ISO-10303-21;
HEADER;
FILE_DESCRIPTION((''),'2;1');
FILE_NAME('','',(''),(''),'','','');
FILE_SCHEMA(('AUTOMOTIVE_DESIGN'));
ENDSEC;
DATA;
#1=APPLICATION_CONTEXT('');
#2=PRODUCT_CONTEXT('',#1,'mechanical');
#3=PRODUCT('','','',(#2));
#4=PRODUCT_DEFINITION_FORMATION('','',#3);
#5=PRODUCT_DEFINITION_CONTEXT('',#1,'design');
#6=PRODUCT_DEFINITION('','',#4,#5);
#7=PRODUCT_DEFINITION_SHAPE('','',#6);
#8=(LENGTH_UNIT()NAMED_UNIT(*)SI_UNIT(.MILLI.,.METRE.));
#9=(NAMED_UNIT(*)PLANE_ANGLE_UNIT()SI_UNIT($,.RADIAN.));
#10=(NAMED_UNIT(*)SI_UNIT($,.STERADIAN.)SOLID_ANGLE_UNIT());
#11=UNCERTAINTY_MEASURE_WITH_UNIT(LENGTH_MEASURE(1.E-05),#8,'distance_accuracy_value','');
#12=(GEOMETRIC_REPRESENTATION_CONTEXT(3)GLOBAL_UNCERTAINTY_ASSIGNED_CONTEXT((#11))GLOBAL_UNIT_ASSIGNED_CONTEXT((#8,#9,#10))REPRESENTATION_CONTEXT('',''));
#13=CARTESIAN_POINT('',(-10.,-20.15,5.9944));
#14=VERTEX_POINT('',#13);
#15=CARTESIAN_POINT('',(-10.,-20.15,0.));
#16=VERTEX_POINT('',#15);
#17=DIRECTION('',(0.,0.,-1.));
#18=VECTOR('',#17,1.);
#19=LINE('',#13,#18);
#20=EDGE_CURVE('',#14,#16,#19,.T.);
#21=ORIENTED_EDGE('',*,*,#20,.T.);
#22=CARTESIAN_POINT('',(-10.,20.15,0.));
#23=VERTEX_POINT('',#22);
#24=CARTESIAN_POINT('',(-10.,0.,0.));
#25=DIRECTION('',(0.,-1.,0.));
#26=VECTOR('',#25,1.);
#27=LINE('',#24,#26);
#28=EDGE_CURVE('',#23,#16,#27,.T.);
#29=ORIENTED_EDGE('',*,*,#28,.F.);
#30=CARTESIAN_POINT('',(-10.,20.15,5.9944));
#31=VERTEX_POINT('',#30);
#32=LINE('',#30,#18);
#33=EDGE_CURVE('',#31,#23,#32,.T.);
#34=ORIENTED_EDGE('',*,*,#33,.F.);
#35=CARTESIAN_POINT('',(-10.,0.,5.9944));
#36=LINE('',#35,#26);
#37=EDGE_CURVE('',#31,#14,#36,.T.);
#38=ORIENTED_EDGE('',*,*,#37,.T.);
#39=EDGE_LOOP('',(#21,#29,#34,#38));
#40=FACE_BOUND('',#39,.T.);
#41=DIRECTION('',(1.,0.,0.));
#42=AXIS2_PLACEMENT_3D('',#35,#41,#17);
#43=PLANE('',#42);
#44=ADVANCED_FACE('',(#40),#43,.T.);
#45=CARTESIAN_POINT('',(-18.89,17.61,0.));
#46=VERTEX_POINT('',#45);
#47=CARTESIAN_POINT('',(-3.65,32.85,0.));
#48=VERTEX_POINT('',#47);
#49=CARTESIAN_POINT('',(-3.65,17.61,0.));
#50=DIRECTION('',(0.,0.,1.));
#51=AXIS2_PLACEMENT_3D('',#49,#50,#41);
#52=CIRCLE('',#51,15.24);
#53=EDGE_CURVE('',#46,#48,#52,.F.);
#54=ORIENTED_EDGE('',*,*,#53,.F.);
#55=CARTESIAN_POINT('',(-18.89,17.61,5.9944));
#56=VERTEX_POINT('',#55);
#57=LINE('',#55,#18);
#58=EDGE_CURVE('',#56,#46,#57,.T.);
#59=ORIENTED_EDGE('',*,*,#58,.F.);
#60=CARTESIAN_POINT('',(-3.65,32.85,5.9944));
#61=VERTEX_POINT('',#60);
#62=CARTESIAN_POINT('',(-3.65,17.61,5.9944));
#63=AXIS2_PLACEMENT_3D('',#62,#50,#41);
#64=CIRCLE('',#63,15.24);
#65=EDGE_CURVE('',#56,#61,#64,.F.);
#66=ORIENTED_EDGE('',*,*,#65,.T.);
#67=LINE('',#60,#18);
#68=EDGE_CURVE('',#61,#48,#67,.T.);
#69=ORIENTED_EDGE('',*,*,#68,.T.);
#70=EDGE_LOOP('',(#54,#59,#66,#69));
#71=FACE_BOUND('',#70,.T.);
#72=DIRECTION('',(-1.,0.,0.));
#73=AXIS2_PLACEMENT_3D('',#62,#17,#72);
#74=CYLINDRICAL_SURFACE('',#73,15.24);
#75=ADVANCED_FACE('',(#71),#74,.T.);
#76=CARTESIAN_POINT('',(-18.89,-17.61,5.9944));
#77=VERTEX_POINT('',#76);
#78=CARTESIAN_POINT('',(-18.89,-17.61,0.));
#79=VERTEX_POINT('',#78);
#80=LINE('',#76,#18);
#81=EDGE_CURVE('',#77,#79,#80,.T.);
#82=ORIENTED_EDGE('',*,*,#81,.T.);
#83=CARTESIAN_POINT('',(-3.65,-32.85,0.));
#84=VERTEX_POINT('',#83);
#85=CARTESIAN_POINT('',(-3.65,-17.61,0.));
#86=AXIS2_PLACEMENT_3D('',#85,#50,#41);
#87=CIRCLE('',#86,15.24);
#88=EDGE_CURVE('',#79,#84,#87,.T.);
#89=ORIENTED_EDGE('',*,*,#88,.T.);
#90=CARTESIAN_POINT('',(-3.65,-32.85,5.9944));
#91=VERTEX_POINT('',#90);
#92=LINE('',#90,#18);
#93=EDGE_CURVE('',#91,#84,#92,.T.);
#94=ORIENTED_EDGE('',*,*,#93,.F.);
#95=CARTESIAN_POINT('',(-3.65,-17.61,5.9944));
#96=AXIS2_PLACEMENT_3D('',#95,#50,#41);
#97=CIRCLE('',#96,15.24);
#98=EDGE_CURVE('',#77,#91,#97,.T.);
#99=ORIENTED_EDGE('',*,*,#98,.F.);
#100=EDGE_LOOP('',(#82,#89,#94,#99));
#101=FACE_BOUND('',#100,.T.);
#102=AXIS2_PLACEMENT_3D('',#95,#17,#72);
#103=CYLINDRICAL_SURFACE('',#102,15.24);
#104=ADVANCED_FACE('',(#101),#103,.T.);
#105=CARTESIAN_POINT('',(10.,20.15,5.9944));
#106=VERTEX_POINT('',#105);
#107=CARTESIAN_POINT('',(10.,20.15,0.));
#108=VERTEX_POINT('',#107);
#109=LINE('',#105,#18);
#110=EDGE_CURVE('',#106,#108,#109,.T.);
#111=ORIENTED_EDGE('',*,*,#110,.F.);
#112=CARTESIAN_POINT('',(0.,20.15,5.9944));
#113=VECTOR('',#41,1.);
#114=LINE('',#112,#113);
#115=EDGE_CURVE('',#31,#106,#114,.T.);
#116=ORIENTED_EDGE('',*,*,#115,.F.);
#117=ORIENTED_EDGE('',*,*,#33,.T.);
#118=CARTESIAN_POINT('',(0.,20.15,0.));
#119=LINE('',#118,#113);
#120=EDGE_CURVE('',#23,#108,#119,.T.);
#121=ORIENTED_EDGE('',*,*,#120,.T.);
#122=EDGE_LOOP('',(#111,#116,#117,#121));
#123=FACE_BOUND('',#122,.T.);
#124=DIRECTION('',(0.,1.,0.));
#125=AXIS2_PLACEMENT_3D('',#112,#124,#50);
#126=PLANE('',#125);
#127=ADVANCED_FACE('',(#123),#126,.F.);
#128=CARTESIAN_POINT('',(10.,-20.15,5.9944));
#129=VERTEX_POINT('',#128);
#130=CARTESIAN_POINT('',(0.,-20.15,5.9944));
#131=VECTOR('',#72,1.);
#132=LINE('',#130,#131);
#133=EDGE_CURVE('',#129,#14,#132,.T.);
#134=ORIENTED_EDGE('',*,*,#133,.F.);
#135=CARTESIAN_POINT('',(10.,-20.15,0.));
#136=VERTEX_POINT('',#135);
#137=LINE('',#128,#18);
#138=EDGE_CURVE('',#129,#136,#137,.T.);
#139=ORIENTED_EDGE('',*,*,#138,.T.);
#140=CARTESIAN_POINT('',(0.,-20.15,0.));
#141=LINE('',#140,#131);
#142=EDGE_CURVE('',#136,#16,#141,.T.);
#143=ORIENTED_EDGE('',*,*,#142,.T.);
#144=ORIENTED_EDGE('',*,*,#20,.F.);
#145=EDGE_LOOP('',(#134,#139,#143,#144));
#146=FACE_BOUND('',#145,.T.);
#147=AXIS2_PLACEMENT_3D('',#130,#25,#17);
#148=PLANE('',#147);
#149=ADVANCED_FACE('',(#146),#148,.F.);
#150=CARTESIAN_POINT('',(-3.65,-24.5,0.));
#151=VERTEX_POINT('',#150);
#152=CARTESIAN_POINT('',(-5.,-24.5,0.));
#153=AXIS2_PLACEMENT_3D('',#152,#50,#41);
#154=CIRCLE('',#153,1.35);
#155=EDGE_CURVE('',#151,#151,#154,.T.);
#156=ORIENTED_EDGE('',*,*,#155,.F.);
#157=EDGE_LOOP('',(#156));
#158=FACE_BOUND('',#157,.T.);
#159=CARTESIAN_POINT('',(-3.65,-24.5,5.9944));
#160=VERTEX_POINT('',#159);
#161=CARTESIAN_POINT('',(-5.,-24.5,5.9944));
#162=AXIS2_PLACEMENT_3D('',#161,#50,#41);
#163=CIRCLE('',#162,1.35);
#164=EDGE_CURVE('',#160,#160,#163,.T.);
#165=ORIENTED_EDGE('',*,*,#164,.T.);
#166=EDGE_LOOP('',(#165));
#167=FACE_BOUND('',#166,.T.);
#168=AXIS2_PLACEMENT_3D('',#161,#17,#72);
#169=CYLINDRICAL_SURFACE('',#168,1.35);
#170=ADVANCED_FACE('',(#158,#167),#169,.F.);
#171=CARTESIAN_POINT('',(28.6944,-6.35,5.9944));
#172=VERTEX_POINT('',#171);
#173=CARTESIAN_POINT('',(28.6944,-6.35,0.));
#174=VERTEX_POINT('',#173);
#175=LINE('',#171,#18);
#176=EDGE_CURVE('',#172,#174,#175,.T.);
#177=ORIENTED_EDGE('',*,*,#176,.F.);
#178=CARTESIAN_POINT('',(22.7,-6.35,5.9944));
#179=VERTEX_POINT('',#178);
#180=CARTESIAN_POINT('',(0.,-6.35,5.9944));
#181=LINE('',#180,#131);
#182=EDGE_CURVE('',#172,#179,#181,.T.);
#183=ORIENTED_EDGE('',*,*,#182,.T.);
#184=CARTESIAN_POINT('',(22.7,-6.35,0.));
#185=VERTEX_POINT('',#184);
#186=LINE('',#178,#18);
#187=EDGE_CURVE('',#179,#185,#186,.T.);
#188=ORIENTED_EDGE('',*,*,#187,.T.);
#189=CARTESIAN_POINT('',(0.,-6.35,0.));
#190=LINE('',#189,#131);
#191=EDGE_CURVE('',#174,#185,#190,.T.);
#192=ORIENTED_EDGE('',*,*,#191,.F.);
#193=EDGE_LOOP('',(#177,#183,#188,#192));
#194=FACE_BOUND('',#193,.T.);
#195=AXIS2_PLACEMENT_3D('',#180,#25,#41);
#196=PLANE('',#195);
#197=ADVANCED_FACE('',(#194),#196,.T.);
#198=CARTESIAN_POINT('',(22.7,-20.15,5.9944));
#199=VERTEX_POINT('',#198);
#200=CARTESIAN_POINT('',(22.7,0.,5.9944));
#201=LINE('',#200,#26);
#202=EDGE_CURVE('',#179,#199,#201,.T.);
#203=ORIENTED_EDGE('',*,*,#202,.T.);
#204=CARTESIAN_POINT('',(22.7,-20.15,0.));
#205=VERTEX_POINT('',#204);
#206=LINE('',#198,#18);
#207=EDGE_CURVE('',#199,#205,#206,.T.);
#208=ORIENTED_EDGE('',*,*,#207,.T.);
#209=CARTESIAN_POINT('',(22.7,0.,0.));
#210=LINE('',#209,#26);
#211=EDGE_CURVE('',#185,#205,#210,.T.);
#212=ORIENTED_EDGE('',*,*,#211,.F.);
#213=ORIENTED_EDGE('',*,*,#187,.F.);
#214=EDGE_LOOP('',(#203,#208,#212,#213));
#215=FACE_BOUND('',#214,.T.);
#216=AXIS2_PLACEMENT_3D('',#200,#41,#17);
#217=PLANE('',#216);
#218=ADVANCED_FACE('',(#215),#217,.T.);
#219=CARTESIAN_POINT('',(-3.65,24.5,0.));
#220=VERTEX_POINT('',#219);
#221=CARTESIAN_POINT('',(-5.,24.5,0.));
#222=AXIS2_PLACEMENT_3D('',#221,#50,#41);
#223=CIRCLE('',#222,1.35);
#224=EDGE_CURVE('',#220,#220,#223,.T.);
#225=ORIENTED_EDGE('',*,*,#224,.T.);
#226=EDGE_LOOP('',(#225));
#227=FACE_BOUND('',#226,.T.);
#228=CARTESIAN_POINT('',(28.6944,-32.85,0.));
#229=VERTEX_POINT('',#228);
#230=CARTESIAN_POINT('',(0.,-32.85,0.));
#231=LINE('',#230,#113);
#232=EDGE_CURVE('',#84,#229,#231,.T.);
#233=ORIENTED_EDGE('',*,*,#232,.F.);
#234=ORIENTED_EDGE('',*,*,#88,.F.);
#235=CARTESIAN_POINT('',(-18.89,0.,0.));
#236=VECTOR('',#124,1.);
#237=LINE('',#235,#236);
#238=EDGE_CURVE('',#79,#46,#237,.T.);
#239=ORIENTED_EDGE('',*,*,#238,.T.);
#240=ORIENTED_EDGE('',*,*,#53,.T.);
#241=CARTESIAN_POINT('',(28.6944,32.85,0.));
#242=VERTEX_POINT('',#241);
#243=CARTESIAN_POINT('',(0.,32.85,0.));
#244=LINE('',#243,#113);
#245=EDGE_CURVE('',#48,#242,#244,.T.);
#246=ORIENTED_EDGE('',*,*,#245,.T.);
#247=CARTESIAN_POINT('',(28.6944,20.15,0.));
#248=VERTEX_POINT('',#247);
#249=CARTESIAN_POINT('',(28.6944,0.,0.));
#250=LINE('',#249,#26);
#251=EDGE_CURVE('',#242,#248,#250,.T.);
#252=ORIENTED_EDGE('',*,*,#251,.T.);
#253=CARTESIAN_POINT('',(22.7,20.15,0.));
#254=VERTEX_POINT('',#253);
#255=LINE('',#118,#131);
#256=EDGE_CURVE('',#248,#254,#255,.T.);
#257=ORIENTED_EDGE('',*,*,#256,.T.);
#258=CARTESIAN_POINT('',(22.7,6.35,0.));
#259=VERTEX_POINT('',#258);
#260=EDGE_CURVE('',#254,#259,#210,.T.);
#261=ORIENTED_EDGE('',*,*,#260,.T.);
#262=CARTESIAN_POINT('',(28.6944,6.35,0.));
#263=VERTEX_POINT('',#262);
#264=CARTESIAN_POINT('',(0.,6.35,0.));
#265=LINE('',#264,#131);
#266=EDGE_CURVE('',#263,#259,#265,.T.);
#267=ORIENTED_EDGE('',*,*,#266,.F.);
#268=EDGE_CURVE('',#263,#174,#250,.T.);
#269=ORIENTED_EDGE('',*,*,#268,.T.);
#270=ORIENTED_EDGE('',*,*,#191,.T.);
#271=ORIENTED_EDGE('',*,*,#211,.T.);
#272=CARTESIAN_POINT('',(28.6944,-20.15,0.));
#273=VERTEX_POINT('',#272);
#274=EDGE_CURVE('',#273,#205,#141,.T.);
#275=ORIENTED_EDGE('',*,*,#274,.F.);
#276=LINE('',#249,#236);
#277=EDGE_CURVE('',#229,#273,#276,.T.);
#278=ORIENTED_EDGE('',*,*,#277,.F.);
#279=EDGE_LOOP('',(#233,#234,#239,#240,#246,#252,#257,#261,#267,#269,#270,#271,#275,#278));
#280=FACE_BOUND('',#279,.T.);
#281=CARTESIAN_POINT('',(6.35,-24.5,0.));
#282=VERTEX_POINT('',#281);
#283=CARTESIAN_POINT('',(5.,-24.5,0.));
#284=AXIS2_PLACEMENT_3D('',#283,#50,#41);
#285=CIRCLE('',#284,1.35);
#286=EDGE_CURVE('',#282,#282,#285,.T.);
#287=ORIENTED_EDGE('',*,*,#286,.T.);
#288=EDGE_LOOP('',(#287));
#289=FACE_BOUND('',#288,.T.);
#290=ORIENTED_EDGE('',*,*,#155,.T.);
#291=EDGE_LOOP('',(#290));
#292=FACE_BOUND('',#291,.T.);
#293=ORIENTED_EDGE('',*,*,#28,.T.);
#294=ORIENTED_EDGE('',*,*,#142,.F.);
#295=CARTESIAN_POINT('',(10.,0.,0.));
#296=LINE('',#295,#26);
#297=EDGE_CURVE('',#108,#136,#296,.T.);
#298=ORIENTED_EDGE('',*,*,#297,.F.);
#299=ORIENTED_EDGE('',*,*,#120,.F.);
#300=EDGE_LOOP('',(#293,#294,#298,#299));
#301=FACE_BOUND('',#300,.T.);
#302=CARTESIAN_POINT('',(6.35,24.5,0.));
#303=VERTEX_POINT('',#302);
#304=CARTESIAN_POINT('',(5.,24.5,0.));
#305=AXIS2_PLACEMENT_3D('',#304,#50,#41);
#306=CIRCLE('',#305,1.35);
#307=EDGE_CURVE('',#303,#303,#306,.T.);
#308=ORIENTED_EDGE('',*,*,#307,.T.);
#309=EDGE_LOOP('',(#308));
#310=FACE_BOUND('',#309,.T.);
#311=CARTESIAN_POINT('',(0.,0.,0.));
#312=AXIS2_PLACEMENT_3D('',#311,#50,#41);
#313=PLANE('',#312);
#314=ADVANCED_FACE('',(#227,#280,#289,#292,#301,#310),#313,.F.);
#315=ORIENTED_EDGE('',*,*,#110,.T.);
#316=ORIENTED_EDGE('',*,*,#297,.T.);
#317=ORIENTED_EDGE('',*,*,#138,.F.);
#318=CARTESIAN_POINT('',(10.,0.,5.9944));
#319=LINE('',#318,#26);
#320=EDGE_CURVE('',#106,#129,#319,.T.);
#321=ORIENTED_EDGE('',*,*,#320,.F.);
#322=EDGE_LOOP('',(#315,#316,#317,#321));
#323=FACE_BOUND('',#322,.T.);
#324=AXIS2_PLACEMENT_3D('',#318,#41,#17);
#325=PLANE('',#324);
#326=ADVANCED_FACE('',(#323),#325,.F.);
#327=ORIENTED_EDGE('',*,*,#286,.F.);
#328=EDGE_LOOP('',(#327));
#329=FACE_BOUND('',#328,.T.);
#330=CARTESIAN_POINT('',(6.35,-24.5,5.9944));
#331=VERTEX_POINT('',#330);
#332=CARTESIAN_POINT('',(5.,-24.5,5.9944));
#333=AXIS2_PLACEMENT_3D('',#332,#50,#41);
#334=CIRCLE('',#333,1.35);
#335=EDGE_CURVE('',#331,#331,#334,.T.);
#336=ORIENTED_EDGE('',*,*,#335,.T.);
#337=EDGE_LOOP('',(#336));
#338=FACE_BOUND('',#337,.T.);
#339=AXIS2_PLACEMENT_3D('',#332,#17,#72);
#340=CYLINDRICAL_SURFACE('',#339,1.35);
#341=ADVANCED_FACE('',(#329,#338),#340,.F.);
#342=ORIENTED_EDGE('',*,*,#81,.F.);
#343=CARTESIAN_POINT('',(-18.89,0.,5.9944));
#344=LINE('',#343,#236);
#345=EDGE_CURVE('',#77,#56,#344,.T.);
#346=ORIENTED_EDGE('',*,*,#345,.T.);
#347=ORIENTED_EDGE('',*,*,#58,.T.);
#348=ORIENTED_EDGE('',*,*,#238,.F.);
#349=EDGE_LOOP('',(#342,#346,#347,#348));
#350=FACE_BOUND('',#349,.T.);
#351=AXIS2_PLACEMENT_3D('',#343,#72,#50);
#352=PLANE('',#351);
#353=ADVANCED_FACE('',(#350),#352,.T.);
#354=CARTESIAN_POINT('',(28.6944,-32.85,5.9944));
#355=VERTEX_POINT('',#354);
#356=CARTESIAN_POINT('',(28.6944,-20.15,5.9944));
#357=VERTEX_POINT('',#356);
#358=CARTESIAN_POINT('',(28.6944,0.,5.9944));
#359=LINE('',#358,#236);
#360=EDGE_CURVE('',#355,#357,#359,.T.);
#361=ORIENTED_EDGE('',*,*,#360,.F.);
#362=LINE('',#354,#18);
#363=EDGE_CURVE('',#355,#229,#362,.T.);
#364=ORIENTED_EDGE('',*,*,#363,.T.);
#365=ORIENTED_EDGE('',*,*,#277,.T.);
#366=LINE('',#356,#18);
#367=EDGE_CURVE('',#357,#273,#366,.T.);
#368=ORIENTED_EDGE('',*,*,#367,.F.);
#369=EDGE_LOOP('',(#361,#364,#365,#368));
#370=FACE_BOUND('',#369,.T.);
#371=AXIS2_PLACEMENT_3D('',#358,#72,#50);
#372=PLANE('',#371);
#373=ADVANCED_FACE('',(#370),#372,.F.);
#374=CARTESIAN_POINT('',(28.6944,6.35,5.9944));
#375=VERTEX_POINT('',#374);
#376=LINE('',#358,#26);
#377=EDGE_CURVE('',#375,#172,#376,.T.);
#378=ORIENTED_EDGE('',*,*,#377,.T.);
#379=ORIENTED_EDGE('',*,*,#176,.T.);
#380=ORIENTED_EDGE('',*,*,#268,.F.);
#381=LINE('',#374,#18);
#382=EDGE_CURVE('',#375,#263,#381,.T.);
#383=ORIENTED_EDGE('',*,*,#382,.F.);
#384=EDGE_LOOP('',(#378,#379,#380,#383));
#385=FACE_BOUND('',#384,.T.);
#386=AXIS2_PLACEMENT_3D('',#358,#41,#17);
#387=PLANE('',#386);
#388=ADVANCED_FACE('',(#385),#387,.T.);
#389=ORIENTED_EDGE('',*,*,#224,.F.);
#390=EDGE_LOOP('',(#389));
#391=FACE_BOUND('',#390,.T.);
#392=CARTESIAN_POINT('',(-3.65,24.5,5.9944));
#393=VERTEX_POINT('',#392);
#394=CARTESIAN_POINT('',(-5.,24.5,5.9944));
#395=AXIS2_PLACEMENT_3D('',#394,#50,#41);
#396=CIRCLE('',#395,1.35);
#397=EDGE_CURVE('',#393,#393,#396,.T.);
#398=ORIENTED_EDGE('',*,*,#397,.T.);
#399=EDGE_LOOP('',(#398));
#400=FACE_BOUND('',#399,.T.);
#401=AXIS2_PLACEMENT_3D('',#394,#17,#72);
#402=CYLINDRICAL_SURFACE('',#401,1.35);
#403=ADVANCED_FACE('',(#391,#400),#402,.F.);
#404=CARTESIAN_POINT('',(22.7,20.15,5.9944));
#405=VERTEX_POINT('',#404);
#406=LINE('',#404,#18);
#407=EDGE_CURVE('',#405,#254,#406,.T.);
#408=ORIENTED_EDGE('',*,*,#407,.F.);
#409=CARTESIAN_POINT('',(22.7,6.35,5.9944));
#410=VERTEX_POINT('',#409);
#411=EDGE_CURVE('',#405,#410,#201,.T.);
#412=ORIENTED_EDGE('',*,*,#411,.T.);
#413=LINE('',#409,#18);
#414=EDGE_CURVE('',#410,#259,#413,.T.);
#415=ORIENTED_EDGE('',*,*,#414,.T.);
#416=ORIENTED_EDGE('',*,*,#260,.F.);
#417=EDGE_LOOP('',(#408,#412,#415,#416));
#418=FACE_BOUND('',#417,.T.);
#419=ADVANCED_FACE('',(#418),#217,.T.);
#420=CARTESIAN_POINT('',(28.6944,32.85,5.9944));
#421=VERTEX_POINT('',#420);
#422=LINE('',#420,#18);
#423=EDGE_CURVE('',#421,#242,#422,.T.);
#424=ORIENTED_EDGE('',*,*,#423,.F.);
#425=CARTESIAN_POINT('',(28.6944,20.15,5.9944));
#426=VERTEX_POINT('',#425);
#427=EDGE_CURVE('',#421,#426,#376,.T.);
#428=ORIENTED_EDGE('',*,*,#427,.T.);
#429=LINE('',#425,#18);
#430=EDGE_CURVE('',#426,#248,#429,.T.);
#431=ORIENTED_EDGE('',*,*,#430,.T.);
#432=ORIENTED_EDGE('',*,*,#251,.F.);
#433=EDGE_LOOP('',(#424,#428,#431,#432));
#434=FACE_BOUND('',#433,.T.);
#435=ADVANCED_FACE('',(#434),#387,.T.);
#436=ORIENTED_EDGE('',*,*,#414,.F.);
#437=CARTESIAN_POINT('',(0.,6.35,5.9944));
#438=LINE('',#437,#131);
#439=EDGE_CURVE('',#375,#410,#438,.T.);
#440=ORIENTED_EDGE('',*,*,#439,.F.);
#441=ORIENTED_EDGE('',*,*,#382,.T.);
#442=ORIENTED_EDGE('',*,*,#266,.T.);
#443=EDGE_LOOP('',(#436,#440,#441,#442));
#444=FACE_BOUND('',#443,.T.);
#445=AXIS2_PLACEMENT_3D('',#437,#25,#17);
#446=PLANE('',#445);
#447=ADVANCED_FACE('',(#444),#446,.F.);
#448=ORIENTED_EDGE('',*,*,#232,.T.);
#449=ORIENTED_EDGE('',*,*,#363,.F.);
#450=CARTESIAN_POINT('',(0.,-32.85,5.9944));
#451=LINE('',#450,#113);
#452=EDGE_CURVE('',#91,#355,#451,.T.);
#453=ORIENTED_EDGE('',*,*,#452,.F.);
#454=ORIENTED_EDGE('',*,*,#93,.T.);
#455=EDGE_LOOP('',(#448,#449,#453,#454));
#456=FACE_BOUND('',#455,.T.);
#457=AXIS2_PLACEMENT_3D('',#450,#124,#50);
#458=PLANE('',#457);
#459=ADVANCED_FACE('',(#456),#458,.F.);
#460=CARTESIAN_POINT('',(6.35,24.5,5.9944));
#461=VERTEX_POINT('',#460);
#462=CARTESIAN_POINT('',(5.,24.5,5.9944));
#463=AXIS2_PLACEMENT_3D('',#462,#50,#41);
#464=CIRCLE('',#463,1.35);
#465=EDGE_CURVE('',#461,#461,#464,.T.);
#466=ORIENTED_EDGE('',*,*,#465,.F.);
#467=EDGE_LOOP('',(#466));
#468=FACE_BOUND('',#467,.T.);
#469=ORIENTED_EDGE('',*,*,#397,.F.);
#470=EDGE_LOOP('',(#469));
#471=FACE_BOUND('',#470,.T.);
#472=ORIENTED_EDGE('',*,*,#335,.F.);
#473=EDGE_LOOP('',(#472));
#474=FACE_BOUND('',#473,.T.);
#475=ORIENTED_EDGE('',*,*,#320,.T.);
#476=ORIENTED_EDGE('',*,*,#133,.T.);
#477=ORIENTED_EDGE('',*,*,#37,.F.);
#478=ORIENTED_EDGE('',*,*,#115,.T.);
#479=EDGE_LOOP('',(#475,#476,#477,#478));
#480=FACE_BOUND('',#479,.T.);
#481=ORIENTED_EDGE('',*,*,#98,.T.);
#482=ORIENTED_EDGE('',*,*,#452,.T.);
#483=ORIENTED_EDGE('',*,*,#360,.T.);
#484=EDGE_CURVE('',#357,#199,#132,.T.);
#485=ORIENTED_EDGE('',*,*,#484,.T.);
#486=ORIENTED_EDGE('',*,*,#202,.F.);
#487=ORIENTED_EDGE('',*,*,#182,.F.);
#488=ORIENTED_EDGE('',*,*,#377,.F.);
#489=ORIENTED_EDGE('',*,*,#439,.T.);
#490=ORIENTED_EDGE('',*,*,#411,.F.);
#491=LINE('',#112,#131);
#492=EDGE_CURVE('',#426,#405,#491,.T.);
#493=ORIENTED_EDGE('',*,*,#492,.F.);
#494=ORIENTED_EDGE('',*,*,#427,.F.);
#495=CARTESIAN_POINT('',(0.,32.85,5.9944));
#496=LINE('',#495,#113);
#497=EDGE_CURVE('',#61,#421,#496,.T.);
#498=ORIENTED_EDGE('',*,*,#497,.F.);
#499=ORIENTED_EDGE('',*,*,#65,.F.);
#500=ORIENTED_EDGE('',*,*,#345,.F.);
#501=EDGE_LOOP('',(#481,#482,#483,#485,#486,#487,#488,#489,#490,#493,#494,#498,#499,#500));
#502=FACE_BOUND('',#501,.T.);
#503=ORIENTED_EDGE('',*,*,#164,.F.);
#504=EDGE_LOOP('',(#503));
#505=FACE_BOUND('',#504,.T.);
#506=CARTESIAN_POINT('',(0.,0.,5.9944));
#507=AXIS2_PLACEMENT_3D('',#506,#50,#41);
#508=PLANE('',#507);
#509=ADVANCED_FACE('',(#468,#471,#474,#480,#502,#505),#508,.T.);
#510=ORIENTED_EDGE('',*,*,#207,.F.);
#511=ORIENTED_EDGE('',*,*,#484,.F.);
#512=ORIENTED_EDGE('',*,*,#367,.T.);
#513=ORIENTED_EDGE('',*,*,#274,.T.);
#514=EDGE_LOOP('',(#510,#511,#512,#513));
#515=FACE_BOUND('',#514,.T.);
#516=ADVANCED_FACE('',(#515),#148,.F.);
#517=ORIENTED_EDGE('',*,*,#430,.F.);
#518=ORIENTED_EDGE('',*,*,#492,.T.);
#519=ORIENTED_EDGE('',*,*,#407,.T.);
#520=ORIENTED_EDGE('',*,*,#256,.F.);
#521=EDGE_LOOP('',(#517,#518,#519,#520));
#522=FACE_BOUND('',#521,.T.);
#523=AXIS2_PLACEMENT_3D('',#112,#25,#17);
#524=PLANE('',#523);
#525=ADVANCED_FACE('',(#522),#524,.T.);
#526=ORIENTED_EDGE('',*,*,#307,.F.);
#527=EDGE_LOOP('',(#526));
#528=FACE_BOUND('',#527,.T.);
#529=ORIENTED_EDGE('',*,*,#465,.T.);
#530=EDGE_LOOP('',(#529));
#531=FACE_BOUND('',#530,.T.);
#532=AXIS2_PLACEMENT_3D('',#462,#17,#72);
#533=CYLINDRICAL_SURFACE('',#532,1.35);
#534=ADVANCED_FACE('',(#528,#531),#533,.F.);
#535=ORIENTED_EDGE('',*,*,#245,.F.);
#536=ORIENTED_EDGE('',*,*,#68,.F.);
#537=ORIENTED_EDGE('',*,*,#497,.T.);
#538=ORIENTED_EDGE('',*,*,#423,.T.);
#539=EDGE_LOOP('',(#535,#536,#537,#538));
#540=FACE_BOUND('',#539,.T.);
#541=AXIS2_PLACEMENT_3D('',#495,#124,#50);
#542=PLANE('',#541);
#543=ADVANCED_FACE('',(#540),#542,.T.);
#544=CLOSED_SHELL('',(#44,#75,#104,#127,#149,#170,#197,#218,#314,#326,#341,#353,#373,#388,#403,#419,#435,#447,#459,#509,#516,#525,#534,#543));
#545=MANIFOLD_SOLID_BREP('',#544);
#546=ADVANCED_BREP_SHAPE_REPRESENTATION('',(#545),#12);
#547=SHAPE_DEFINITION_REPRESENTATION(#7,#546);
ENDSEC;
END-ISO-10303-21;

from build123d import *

# Parameters (mm, degrees)
SKETCH1_R           = 1.35
SKETCH1_W           = 20
SKETCH1_H           = 40.3
BOSS_EXTRUDE1_DEPTH = 5.9944


with BuildPart() as part:
    # Sketch1 → Boss-Extrude1 (new body)
    with BuildSketch(Plane.XY):
        with BuildLine():
            ThreePointArc((-18.89, 17.61), (-14.426307345, 28.386307345), (-3.65, 32.85))
            Line((-3.65, 32.85), (10, 32.85))
            Line((10, 32.85), (22.7, 32.85))
            Line((22.7, 32.85), (28.6944, 32.85))
            Line((28.6944, 32.85), (28.6944, 20.15))
            Line((28.6944, 20.15), (22.7, 20.15))
            Line((22.7, 20.15), (22.7, 6.35))
            Line((22.7, 6.35), (28.6944, 6.35))
            Line((28.6944, 6.35), (28.6944, 0))
            Line((28.6944, 0), (28.6944, -6.35))
            Line((28.6944, -6.35), (22.7, -6.35))
            Line((22.7, -6.35), (22.7, -20.15))
            Line((22.7, -20.15), (28.6944, -20.15))
            Line((28.6944, -20.15), (28.6944, -32.85))
            Line((28.6944, -32.85), (22.7, -32.85))
            Line((22.7, -32.85), (-3.65, -32.85))
            ThreePointArc((-3.65, -32.85), (-14.426307345, -28.386307345), (-18.89, -17.61))
            Line((-18.89, -17.61), (-18.89, 17.61))
        make_face()
        with Locations((5, 24.5)):
            Circle(SKETCH1_R, mode=Mode.SUBTRACT)
        with Locations((-5, 24.5)):
            Circle(SKETCH1_R, mode=Mode.SUBTRACT)
        with Locations((5, -24.5)):
            Circle(SKETCH1_R, mode=Mode.SUBTRACT)
        with Locations((-5, -24.5)):
            Circle(SKETCH1_R, mode=Mode.SUBTRACT)
        Rectangle(SKETCH1_W, SKETCH1_H, mode=Mode.SUBTRACT)
    extrude(amount=BOSS_EXTRUDE1_DEPTH)


solid = part.part
